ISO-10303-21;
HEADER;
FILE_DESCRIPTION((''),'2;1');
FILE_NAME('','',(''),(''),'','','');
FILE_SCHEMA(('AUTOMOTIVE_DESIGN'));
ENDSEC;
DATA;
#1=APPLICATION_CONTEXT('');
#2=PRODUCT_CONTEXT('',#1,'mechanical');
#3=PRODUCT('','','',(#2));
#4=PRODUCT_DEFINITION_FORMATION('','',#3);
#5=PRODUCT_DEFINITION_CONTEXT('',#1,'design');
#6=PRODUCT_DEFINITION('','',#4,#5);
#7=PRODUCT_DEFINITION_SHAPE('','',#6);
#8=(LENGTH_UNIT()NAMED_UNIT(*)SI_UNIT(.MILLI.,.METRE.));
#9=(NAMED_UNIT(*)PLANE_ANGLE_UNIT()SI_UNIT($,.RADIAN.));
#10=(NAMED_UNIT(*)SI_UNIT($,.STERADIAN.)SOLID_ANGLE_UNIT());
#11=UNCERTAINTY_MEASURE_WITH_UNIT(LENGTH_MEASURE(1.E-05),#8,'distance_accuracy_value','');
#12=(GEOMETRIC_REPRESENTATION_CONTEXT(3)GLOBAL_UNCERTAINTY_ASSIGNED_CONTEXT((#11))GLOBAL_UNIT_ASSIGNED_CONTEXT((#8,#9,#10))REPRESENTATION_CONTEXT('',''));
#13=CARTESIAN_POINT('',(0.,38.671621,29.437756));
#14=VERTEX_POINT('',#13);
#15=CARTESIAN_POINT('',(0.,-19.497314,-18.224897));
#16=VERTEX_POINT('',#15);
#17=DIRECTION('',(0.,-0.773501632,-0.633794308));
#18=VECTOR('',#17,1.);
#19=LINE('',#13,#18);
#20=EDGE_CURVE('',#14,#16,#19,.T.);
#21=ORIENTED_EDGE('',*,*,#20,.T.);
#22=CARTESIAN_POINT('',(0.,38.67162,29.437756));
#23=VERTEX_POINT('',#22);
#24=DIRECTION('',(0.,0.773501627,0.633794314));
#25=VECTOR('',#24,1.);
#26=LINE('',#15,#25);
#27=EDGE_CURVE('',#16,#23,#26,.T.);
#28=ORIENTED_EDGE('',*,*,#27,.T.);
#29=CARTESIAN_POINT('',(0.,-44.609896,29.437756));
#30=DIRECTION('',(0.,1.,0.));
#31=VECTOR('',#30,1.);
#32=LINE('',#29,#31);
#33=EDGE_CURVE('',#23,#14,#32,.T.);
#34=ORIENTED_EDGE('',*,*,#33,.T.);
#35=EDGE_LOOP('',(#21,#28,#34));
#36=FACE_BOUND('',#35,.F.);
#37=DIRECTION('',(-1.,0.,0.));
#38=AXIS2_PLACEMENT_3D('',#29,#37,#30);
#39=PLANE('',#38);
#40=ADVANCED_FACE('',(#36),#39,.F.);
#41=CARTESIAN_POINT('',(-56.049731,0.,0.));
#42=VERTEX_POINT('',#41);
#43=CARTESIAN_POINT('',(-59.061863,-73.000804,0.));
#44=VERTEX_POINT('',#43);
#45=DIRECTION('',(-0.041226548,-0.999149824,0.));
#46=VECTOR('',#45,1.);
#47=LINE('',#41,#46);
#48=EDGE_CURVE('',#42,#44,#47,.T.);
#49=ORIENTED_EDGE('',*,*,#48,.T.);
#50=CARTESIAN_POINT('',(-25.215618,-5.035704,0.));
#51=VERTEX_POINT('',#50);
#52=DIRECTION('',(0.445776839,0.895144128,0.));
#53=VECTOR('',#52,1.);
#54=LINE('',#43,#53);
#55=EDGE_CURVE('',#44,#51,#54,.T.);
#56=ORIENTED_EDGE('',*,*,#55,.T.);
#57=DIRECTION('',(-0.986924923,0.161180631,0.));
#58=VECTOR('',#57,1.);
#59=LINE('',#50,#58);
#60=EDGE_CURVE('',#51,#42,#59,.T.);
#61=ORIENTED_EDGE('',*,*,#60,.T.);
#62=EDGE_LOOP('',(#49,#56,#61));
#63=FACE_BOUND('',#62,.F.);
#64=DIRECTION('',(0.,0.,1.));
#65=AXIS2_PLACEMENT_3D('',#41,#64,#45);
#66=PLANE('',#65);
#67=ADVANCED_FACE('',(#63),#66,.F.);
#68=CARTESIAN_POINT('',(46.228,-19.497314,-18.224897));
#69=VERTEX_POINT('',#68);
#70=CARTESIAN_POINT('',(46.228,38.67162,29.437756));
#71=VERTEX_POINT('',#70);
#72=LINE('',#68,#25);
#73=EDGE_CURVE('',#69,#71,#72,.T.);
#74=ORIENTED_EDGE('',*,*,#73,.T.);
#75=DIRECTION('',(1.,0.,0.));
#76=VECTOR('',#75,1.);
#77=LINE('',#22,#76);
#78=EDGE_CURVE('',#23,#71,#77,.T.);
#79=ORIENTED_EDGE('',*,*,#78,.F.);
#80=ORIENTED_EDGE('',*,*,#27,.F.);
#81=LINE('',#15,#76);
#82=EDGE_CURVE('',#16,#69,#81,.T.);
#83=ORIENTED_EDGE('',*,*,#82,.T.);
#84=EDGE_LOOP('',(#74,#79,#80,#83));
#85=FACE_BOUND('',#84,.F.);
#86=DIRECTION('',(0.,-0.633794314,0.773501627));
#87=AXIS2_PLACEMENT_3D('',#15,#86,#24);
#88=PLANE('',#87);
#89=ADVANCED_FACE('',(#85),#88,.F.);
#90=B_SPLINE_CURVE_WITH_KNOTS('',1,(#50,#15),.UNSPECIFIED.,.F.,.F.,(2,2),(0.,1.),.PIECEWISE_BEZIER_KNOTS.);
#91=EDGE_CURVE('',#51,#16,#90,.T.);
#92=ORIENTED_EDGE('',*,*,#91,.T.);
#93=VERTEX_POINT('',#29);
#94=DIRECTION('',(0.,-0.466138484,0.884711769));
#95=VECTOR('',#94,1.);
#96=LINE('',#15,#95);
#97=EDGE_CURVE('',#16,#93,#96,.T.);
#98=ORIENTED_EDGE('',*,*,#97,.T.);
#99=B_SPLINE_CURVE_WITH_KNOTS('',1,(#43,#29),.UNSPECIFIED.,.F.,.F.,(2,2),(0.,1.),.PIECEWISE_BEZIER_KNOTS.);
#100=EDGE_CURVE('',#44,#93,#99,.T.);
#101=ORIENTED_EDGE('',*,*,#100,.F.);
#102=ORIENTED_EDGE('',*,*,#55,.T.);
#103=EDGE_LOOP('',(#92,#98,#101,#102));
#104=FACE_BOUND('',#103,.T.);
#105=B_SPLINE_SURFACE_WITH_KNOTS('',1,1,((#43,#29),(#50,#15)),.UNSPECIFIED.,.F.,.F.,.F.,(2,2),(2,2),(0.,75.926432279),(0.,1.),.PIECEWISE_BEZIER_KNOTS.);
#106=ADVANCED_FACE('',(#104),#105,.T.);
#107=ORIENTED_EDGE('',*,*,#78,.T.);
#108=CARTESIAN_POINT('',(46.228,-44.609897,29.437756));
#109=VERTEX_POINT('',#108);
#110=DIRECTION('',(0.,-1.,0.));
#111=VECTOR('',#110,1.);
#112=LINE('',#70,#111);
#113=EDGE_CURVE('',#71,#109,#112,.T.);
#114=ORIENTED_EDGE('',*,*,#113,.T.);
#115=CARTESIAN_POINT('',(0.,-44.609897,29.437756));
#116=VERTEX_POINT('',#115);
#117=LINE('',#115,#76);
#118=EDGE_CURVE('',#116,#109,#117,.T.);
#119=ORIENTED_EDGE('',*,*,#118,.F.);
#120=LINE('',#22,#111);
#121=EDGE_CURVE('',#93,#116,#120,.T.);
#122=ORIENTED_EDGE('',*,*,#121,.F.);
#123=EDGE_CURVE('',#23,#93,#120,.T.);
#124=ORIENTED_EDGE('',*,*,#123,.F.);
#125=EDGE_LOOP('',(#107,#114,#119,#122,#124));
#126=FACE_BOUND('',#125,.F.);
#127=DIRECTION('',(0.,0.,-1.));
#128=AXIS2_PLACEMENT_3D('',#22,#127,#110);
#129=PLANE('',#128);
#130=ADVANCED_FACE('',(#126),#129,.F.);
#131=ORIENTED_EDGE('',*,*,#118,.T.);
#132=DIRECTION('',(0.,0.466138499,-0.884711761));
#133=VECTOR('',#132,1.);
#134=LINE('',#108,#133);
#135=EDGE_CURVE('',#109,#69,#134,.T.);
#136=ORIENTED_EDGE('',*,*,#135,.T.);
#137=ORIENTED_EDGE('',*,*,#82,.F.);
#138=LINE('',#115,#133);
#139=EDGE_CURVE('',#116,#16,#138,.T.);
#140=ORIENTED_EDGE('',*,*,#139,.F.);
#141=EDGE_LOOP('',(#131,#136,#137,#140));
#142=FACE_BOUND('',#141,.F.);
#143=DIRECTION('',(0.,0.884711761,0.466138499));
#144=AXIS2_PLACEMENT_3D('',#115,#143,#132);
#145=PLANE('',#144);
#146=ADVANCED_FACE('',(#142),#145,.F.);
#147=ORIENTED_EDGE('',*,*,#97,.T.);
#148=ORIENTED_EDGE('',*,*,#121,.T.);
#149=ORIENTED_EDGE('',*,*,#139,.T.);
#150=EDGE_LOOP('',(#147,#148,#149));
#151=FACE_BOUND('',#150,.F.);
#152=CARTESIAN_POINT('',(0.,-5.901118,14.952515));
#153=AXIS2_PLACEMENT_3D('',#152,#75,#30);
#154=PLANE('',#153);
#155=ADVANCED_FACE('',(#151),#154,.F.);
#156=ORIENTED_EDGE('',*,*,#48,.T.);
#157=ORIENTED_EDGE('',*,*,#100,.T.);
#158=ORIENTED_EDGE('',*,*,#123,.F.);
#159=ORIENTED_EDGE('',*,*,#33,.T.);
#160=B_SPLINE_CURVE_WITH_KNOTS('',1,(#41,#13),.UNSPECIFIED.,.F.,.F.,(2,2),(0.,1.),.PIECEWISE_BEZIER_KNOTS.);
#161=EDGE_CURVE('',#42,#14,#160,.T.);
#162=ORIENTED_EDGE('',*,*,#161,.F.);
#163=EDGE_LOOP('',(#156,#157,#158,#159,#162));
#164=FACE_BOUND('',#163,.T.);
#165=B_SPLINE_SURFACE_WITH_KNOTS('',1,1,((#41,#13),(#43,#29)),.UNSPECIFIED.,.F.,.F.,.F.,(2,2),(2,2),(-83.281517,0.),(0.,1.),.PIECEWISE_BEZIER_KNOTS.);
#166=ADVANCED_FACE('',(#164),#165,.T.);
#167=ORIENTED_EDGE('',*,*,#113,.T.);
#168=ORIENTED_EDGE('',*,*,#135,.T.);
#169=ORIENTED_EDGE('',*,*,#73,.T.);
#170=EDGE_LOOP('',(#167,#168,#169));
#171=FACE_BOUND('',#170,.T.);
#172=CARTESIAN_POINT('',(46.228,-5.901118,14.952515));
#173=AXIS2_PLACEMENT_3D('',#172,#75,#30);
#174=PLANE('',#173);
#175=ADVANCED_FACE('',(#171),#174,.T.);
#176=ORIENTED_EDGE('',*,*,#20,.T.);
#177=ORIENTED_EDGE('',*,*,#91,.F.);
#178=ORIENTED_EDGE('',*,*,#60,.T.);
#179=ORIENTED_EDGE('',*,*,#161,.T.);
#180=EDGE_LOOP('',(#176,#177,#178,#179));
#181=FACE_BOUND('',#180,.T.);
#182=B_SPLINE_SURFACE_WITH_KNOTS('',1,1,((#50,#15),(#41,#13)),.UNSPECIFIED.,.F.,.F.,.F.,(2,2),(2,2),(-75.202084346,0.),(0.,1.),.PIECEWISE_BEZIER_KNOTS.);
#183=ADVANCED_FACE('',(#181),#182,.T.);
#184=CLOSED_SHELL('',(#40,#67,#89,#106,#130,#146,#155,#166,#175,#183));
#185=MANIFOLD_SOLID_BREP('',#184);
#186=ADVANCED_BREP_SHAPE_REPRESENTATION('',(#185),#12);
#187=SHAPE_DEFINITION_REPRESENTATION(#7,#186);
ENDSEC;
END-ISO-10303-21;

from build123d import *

# Parameters (mm, degrees)
F1_DEPTH = 46.228


with BuildPart() as f1:
    # F0 (on Right) → F1 (new body)
    with BuildSketch(Plane.YZ):
        Polygon((38.67162, 29.437756), (-44.609897, 29.437756), (-19.497314, -18.224897), align=None)
    extrude(amount=F1_DEPTH)

    # F2 (on Top) → F3 section 0
    with BuildSketch(Plane.XY):
        Polygon((-56.049731, 0), (-59.061863, -73.000804), (-25.215618, -5.035704), align=None)
    # F1_face (on face) → F3 section 1
    with BuildSketch(Plane(origin=(0, -8.47853, 13.550205), x_dir=(0, 1, 0), z_dir=(-1, 0, 0))):
        Polygon((47.150151, -15.887551), (-11.018784, 31.775102), (-36.131366, -15.887551), align=None)
    loft()


solid = f1.part
